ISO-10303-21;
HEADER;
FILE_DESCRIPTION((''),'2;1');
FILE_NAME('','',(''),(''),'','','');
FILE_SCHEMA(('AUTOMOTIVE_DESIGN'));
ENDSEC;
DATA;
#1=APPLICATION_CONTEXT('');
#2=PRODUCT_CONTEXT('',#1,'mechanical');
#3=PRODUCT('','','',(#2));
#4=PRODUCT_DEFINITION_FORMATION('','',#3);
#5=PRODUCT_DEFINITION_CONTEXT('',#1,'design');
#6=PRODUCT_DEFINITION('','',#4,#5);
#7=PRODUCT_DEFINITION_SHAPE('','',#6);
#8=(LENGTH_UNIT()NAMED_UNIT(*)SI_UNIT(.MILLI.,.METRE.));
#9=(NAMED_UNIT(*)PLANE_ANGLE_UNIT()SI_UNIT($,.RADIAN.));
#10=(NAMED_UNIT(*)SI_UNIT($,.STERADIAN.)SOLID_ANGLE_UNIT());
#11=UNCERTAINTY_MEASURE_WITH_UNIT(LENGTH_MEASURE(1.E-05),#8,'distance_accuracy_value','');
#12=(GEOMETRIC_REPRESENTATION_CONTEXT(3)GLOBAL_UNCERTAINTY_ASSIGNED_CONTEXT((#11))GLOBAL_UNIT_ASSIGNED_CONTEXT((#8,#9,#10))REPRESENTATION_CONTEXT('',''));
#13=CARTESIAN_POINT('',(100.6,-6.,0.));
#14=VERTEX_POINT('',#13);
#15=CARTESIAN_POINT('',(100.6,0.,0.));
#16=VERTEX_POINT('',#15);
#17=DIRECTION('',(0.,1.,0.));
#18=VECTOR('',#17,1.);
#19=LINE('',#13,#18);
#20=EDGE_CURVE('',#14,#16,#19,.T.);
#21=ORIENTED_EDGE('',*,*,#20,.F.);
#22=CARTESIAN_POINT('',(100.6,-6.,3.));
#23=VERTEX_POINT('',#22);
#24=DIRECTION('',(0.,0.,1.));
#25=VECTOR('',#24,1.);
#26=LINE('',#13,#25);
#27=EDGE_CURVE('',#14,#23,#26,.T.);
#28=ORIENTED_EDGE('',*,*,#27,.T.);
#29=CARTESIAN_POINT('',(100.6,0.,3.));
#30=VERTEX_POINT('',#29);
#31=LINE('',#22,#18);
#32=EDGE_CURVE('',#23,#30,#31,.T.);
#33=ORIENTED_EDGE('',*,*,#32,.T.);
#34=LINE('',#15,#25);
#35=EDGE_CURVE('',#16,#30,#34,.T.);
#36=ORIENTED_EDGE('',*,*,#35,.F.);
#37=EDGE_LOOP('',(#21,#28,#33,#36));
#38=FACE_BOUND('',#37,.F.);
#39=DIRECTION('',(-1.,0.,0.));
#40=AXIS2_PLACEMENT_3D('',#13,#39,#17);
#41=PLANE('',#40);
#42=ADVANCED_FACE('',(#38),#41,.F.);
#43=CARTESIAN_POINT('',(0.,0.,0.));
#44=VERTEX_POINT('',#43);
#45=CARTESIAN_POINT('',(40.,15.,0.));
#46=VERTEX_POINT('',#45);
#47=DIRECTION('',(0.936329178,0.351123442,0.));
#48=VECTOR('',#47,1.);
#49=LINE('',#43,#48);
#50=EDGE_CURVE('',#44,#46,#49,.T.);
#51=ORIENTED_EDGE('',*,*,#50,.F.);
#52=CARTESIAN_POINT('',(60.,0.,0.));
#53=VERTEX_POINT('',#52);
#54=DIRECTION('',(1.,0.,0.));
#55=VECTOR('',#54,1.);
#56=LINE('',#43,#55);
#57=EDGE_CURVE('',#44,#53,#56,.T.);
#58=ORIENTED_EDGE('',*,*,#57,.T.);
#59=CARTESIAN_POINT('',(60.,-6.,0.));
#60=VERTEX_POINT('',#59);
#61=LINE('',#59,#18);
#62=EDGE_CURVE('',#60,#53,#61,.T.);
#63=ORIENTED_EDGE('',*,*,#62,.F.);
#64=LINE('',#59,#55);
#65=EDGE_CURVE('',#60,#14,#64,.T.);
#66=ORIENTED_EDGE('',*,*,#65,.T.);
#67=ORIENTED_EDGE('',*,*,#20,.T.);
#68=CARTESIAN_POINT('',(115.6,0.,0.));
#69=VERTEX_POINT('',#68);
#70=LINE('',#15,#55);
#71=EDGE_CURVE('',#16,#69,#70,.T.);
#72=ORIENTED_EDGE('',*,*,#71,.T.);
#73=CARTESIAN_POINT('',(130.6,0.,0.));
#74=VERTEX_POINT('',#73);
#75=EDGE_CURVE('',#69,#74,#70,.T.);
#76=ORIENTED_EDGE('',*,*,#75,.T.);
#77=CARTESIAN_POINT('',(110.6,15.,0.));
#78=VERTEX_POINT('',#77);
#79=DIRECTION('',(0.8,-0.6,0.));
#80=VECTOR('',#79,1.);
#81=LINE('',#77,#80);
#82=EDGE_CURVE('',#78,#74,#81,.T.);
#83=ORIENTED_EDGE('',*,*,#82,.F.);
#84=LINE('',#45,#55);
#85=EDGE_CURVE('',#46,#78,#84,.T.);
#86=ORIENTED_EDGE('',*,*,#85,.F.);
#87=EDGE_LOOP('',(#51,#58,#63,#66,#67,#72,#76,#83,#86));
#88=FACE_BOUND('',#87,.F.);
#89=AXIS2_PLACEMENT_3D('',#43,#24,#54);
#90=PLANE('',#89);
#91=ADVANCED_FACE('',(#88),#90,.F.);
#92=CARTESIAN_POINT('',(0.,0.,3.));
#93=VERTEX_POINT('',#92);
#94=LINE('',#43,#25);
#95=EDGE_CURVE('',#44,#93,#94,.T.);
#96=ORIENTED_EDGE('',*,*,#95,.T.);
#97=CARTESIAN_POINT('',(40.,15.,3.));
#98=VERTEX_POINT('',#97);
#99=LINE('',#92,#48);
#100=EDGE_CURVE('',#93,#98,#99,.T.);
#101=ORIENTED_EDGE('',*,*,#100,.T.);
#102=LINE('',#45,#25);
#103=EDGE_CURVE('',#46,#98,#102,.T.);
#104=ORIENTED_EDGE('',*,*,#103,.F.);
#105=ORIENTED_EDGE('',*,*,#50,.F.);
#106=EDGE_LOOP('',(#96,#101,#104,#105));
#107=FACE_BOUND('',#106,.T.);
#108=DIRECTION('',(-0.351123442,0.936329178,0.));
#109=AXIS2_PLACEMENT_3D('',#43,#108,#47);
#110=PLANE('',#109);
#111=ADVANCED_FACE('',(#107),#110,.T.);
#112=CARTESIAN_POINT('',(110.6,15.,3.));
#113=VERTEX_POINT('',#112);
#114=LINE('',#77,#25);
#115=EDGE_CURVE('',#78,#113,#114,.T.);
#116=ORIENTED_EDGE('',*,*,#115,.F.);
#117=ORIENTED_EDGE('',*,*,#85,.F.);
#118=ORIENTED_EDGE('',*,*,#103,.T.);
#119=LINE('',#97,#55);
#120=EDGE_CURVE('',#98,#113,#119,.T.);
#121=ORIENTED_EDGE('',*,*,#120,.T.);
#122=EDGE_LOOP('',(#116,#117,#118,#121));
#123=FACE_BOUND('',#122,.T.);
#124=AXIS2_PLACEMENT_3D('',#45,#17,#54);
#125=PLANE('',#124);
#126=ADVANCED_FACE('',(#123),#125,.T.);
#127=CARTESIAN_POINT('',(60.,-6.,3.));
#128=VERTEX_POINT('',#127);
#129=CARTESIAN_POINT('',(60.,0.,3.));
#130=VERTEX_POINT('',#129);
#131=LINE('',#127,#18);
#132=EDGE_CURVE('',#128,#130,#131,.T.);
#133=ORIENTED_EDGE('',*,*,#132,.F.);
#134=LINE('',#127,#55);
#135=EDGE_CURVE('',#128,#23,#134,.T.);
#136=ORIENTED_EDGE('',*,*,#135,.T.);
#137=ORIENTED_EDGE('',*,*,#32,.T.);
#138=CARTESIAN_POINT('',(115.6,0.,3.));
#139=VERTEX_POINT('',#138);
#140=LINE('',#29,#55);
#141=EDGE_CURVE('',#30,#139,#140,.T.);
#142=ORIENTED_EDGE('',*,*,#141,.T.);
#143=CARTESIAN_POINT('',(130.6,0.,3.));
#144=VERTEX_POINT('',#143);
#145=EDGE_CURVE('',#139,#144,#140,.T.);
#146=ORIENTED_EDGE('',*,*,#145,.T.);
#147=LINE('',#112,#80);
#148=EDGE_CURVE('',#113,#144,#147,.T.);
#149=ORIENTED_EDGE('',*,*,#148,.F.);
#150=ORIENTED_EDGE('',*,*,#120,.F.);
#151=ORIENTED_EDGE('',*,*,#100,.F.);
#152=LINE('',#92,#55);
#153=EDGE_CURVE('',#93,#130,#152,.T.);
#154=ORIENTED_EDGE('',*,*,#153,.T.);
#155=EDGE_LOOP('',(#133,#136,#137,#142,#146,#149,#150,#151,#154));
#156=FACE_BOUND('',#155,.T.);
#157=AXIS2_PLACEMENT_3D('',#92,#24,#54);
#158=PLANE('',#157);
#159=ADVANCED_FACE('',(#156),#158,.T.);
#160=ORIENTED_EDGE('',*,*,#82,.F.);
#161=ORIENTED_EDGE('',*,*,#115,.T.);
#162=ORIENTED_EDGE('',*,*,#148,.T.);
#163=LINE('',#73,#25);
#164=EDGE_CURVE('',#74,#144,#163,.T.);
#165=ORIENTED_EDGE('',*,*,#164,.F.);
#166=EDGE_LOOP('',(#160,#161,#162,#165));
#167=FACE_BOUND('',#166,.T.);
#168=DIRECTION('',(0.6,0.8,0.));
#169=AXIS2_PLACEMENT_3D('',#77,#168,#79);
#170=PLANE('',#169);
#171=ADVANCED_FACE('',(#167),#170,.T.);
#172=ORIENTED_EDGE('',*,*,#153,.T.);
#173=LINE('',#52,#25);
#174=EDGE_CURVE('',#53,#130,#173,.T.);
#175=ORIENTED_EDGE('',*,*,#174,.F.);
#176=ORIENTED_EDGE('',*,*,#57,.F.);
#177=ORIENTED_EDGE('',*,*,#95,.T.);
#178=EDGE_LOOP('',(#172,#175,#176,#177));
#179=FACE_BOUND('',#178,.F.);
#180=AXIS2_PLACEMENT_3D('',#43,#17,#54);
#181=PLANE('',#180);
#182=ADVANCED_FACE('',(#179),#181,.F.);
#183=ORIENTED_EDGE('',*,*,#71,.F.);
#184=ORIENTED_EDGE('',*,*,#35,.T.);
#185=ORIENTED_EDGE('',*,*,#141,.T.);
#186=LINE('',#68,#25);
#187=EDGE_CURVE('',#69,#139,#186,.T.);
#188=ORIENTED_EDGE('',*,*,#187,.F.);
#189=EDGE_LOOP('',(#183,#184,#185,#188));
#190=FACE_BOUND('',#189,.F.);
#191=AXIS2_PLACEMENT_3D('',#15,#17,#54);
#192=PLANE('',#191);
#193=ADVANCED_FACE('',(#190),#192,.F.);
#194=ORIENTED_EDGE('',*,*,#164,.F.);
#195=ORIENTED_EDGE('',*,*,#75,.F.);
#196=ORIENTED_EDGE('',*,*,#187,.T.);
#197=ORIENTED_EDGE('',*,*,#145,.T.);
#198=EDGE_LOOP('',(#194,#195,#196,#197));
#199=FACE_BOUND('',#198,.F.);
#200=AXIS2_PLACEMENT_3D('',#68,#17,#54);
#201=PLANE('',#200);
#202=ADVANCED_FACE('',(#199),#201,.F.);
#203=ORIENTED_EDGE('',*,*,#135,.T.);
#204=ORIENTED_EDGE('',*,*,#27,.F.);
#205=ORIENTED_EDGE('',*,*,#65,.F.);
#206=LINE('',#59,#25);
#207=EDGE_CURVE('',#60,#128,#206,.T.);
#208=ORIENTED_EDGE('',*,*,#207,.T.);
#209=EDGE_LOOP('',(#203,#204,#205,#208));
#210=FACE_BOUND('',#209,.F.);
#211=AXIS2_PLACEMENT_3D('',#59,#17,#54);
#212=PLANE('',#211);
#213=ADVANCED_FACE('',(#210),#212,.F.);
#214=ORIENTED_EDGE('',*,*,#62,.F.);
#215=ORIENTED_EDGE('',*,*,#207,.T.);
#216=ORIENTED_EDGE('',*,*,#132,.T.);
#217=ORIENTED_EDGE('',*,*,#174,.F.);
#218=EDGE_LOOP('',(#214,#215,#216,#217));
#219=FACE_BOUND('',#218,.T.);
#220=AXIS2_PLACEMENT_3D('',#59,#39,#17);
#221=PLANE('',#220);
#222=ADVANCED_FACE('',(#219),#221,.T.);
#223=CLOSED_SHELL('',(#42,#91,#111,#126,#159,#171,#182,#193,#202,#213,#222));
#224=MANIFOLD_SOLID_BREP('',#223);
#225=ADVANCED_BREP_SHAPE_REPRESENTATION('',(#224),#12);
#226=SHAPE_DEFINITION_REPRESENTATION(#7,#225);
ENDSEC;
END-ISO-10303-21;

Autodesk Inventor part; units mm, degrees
ref_plane "YZ Plane" through (0, 0, 0) normal (1, 0, 0) x (0, 1, 0)
ref_plane "XZ Plane" through (0, 0, 0) normal (0, 1, 0) x (-1, 0, 0)
ref_plane "XY Plane" through (0, 0, 0) normal (0, 0, 1) x (1, 0, 0)
sketch "Sketch1" plane through (0, 0, 0) normal (0, 0, 1) x (1, 0, 0)
  line L0 (60, -6) -> (60, 0)
  line L1 (100.6, 0) -> (115.6, 0)
  line L2 (0, 0) -> (60, 0)
  line L3 (100.6, 0) -> (130.6, 0)
  line L4 (60, -6) -> (100.6, -6)
  line L5 (100.6, -6) -> (100.6, 0)
  line L6 (0, 0) -> (40, 15)
  line L7 (40, 15) -> (110.6, 15)
  line L8 (110.6, 15) -> (130.6, 0)
  dimension "d24" = 6
  dimension "d26" = 60
  dimension "d27" = 40.6
  dimension "d28" = 30
  dimension "d29" = 15
  dimension "d30" = 40
  dimension "d31" = 20
extrude "Extrusion1" add sketch "Sketch1" along normal blind 3
properties part number "Moving Ramp Inside Rail"
